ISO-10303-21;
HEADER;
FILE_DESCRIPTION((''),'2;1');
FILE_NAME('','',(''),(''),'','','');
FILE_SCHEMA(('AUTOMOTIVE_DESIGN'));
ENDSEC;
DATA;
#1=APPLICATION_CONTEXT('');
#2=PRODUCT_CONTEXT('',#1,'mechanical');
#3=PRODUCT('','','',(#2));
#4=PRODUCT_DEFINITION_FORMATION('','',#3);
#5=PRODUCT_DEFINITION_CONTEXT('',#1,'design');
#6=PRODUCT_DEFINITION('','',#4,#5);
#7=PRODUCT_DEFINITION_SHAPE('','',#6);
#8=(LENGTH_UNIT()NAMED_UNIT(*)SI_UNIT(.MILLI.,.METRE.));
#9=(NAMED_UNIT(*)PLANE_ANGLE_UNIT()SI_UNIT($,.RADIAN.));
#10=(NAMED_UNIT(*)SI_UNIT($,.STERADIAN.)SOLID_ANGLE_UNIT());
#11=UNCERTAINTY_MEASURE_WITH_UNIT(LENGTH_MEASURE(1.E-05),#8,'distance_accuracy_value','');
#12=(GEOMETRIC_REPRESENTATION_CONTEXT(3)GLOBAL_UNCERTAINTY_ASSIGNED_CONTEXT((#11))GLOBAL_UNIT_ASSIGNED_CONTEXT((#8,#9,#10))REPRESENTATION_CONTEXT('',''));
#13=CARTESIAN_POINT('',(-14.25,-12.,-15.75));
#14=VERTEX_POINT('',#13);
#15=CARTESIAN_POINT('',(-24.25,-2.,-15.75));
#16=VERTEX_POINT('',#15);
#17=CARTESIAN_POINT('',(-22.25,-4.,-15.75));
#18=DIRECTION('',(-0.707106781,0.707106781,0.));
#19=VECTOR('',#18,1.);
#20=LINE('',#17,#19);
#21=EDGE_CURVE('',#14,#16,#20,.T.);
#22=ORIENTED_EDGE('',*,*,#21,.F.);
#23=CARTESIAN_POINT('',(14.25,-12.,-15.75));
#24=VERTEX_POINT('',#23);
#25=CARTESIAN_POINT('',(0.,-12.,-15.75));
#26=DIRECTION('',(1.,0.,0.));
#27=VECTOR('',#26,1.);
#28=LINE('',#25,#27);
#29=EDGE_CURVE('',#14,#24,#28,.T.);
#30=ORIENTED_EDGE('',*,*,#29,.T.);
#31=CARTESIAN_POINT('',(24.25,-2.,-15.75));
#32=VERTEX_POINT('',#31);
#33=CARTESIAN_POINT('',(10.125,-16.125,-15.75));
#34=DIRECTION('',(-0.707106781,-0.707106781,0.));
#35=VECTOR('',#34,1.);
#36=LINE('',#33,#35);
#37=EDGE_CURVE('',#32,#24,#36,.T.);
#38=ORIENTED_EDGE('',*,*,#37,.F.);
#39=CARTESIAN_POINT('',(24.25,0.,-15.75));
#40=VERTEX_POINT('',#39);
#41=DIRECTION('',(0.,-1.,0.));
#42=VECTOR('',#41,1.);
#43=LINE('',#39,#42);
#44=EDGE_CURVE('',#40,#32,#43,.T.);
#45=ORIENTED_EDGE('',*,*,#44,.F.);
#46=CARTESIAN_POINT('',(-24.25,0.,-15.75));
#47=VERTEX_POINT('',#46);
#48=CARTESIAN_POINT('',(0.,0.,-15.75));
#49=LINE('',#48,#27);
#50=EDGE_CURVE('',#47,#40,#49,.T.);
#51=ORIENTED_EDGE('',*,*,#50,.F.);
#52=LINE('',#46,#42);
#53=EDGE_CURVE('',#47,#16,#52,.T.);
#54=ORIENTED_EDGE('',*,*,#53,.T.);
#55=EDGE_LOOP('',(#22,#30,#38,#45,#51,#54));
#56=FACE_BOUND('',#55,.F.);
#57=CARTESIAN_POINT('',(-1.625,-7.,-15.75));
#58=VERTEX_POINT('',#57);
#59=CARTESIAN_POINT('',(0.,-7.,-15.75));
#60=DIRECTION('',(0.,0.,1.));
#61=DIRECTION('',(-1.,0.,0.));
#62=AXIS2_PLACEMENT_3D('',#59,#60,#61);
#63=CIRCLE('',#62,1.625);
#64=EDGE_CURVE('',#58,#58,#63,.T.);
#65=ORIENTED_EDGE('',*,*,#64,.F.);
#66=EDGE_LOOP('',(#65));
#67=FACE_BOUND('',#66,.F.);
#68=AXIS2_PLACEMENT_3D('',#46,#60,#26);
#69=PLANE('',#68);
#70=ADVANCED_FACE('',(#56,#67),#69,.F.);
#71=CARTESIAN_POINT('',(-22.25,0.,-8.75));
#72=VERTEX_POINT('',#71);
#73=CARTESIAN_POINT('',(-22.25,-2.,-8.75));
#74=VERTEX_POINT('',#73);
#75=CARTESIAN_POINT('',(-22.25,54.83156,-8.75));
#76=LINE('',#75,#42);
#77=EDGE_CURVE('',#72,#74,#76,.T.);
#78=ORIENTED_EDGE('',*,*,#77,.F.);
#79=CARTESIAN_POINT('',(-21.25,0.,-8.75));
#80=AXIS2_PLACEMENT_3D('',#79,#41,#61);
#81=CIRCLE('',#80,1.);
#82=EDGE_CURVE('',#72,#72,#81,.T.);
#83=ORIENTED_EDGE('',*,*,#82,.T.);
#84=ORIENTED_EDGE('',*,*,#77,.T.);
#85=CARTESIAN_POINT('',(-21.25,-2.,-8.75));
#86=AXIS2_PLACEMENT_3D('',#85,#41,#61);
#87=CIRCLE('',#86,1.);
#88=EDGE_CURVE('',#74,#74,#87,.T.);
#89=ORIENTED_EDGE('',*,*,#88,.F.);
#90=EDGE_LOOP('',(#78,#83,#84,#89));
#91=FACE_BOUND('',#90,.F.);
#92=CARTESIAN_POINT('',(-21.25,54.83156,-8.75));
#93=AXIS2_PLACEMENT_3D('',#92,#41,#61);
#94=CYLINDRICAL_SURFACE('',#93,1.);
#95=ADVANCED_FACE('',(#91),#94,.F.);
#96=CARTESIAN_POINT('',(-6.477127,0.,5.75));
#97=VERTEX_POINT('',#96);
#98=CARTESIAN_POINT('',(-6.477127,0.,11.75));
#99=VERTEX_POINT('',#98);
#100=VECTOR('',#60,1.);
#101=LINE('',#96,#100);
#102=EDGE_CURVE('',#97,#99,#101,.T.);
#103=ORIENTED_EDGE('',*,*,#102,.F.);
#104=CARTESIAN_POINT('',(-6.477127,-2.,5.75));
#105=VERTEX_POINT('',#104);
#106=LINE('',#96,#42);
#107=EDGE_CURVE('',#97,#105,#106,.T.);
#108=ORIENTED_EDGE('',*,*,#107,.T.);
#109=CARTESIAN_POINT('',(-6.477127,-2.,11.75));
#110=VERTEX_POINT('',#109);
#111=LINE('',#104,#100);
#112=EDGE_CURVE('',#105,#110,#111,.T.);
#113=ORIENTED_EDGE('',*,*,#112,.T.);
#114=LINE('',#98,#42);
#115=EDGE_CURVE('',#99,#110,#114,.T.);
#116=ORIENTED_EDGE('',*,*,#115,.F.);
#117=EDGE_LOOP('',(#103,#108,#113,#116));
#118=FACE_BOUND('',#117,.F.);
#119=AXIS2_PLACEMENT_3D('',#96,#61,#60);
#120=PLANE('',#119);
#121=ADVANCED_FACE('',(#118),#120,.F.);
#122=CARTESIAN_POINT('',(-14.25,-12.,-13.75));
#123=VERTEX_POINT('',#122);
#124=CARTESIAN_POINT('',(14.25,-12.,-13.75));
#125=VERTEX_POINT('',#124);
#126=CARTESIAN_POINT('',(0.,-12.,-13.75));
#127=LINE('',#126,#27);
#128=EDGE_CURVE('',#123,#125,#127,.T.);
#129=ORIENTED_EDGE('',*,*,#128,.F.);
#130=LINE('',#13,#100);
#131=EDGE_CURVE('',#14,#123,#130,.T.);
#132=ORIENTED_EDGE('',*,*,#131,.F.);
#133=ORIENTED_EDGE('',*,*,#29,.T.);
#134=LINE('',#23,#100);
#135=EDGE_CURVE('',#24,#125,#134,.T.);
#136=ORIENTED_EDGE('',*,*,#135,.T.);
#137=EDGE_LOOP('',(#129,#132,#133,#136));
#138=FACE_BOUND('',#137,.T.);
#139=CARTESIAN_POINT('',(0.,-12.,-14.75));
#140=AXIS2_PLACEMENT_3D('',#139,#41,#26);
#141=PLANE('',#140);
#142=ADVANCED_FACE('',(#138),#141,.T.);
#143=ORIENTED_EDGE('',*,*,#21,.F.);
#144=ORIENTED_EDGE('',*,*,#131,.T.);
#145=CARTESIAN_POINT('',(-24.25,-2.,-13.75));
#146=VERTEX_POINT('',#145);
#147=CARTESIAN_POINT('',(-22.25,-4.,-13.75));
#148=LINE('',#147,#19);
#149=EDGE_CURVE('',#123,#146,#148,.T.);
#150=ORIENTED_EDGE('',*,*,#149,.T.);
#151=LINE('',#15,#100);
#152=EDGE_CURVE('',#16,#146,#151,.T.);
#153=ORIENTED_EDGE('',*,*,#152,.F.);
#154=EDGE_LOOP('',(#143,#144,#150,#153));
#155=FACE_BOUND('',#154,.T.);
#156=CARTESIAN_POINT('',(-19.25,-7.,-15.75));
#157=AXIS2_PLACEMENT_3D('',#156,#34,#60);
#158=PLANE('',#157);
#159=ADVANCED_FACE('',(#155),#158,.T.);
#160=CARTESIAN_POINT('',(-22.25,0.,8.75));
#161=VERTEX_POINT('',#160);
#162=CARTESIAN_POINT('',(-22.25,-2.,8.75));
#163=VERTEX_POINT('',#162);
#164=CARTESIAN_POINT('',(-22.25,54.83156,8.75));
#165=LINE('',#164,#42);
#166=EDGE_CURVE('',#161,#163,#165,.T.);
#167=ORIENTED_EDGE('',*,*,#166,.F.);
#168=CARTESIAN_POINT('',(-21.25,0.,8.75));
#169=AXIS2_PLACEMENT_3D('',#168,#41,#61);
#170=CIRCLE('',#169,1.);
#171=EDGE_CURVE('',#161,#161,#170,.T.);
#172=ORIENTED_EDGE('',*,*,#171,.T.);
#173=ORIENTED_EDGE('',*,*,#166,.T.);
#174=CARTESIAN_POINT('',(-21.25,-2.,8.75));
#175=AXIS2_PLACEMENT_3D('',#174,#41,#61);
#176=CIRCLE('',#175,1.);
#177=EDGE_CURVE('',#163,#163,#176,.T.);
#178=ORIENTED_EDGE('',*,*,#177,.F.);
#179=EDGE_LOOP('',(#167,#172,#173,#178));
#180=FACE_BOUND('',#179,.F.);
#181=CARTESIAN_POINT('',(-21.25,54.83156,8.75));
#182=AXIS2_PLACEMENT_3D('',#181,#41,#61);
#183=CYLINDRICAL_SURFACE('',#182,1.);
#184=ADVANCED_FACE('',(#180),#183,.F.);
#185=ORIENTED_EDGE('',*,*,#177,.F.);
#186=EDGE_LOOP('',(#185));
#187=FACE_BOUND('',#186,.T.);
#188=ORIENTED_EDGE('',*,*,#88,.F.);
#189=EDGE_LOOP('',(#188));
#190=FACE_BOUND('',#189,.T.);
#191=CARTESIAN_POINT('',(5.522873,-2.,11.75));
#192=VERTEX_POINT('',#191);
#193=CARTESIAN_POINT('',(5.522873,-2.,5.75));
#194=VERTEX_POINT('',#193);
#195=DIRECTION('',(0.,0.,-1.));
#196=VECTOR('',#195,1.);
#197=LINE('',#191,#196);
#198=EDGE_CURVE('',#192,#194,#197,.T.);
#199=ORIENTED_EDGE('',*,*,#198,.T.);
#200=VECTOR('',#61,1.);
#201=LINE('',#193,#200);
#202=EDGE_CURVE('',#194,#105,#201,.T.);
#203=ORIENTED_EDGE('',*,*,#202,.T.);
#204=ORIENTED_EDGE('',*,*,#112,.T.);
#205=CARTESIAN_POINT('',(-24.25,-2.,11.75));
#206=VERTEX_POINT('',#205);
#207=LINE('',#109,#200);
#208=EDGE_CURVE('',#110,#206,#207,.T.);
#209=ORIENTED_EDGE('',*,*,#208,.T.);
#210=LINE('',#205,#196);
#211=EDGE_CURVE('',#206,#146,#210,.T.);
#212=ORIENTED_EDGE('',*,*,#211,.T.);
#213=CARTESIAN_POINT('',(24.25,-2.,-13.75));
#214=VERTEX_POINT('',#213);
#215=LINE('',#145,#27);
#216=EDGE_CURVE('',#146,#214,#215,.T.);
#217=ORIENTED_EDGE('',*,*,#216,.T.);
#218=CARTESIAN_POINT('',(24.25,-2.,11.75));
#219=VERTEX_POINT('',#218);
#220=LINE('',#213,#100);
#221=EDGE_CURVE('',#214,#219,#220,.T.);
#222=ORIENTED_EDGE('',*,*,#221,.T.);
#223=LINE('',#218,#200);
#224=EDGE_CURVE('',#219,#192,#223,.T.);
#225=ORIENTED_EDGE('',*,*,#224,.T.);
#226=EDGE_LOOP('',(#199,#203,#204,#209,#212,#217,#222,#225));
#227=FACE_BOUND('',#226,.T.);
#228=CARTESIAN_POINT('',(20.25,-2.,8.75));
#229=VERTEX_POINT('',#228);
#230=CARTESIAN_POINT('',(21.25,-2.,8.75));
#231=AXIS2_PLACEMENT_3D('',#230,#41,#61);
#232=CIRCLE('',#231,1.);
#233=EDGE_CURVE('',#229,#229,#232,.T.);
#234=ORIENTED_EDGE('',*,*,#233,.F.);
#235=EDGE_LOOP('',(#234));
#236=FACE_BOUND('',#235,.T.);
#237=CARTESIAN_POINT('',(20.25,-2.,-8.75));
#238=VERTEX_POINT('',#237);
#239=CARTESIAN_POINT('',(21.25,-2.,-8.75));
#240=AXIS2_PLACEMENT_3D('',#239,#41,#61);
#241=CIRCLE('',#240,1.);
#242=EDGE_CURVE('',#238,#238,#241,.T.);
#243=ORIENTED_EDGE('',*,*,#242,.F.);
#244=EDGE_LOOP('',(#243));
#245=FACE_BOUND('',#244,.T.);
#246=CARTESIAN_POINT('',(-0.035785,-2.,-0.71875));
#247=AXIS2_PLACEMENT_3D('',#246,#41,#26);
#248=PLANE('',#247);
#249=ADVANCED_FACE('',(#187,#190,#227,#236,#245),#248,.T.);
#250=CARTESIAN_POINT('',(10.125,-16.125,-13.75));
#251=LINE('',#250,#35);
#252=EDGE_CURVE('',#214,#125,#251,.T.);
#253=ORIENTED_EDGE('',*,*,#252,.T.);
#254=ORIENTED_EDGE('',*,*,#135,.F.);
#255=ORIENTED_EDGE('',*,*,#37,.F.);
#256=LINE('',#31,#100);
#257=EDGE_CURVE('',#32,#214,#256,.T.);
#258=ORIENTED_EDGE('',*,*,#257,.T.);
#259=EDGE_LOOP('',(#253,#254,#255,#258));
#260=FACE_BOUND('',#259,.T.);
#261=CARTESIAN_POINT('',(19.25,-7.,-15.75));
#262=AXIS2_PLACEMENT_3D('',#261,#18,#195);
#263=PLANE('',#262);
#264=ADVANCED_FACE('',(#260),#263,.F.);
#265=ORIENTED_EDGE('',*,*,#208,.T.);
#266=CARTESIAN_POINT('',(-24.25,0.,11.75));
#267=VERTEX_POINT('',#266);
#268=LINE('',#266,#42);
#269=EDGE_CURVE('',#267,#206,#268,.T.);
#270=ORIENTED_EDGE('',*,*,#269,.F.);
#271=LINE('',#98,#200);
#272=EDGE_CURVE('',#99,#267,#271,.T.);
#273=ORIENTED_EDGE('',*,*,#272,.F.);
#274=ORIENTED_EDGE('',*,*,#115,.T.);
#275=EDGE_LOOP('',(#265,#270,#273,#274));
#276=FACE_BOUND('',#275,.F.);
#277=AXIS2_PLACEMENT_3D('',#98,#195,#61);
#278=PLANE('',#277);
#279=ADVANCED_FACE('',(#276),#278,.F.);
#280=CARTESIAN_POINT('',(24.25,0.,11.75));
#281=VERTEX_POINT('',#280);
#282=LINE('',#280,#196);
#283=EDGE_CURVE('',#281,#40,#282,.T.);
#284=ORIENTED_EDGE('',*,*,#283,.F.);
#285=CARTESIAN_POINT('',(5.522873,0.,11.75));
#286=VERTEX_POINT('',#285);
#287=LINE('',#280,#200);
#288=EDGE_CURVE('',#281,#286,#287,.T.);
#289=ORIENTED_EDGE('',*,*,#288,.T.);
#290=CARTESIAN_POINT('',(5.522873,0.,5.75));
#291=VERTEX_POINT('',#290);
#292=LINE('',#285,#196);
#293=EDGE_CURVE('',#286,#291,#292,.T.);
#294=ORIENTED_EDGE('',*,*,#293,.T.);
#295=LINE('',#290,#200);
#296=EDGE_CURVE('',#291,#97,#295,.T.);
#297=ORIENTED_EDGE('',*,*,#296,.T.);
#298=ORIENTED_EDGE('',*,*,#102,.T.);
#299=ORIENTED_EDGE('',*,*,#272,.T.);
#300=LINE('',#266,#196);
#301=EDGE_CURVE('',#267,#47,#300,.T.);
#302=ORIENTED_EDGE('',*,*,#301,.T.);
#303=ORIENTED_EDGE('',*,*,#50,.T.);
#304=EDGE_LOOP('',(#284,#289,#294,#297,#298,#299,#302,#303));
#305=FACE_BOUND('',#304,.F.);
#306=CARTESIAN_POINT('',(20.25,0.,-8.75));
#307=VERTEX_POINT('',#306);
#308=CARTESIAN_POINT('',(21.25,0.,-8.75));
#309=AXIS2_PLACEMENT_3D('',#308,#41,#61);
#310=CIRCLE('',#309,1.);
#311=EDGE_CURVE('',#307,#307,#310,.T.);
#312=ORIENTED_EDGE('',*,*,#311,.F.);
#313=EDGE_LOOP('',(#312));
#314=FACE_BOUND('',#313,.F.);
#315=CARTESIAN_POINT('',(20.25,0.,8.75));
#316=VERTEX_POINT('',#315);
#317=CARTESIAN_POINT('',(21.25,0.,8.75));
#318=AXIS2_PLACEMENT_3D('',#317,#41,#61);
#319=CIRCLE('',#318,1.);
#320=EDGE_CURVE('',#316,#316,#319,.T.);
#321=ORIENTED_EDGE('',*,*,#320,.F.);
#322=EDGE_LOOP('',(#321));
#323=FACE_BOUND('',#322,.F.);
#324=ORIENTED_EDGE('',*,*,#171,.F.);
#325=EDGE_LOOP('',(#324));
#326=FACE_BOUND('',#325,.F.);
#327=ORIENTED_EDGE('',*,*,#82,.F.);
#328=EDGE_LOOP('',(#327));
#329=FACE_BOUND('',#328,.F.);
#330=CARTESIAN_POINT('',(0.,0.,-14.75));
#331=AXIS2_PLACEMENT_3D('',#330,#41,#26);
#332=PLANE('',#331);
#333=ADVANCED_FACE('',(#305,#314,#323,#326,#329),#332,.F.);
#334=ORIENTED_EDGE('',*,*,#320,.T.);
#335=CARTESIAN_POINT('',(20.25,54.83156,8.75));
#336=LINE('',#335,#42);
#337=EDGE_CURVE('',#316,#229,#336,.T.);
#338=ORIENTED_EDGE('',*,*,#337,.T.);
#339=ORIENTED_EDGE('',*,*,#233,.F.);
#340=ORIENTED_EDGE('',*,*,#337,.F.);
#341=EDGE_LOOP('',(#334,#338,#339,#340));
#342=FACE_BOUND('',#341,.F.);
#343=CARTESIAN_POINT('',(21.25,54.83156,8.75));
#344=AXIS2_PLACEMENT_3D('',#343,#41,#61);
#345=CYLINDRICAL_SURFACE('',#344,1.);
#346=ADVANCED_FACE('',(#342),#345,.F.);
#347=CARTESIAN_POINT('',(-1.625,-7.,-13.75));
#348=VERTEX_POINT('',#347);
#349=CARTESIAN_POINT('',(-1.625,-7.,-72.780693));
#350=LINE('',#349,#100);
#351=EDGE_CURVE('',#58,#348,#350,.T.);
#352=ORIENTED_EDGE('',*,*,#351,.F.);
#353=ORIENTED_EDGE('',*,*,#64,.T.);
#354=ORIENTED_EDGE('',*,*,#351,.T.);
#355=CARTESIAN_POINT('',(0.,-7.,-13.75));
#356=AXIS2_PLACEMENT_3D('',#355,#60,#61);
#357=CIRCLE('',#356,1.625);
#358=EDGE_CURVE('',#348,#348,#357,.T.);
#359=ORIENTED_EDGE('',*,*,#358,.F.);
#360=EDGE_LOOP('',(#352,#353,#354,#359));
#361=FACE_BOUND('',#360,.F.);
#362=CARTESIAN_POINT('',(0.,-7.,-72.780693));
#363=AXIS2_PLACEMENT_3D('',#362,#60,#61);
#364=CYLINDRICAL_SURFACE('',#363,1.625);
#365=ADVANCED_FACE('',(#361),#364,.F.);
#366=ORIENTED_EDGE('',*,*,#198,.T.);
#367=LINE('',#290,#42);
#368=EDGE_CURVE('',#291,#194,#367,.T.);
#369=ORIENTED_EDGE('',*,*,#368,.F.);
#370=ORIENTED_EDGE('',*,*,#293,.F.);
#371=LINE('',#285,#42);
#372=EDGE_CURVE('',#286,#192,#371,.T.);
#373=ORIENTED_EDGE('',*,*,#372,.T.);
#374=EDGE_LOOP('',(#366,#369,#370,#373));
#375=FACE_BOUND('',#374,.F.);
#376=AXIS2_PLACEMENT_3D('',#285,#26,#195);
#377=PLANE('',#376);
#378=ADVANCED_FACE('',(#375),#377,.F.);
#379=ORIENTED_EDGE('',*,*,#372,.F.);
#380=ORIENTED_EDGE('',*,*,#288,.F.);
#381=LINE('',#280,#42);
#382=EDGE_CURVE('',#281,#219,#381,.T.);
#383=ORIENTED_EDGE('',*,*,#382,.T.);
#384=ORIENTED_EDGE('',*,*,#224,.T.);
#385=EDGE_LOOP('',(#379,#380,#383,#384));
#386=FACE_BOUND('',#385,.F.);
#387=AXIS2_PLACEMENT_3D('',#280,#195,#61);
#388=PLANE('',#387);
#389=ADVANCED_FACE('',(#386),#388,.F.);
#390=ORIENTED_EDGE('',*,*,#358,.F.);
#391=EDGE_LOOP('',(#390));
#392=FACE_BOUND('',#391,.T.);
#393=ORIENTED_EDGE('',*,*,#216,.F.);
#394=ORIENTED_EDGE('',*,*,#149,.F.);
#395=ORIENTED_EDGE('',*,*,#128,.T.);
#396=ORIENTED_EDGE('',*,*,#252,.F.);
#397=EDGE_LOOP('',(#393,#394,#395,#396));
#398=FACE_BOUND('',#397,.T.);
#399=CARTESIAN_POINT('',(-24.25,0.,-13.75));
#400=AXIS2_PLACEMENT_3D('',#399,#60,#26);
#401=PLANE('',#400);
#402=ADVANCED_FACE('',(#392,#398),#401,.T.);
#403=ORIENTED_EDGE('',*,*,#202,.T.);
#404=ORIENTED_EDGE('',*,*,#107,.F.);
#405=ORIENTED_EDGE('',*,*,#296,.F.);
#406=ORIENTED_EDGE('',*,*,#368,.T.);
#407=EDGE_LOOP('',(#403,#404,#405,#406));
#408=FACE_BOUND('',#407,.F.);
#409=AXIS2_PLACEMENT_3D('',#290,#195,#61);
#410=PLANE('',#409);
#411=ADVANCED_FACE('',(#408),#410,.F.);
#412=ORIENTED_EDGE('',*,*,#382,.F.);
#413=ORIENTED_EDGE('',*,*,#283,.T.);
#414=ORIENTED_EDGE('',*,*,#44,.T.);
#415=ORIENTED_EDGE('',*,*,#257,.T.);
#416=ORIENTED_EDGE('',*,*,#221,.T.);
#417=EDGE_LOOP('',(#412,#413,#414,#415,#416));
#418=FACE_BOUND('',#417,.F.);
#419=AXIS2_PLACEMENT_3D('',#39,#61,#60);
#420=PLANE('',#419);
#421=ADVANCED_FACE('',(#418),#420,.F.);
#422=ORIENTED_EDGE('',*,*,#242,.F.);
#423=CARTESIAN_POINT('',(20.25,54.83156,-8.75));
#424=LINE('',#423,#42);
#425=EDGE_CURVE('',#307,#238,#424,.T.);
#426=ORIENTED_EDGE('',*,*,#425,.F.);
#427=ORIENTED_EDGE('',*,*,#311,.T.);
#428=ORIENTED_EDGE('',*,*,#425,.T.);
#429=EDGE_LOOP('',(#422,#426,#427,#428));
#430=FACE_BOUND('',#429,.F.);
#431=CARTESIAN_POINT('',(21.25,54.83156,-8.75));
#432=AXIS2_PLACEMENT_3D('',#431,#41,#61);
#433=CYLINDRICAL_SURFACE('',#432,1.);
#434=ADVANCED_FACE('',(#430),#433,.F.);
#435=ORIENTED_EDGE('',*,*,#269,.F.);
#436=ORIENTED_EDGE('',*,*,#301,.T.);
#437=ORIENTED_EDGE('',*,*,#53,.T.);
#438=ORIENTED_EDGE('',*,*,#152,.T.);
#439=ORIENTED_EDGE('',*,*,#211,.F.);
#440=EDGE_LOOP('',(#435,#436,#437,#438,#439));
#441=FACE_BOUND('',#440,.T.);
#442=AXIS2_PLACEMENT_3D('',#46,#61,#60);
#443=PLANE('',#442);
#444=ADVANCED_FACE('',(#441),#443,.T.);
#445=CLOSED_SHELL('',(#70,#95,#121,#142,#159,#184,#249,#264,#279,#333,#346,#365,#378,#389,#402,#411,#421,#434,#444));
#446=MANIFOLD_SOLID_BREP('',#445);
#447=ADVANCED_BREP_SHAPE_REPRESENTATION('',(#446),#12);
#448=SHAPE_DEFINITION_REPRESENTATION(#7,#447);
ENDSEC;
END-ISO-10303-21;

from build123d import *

# Parameters (mm, degrees)
F2_DEPTH = 2
F3_D     = 2
F4_D     = 2
F5_D     = 2
F6_D     = 2
F1_W     = 48.5
F1_H     = 2
F7_DEPTH = 12
F8_SIZE  = 10
F9_SIZE  = 10
F12_D    = 3.25


with BuildPart() as f2:
    # F0 (on Front) → F2 (new body)
    with BuildSketch(Plane.XZ):
        Polygon((-24.25, 11.75), (-24.25, -13.75), (24.25, -13.75), (24.25, 11.75), (5.5228731483, 11.75), (5.5228731483, 5.75), (-6.4771268517, 5.75), (-6.4771268517, 11.75), align=None)
    extrude(amount=F2_DEPTH)

    # F3 (through all)
    with Locations(Plane(origin=(0, 0, 0), x_dir=(1, 0, 0), z_dir=(0, 1, 0))):
        with Locations((-21.25, -8.75)):
            Hole(F3_D / 2)

    # F4 (through all)
    with Locations(Plane(origin=(0, 0, 0), x_dir=(1, 0, 0), z_dir=(0, 1, 0))):
        with Locations((-21.25, 8.75)):
            Hole(F4_D / 2)

    # F5 (through all)
    with Locations(Plane(origin=(0, 0, 0), x_dir=(1, 0, 0), z_dir=(0, 1, 0))):
        with Locations((21.25, -8.75)):
            Hole(F5_D / 2)

    # F6 (through all)
    with Locations(Plane(origin=(0, 0, 0), x_dir=(1, 0, 0), z_dir=(0, 1, 0))):
        with Locations((21.25, 8.75)):
            Hole(F6_D / 2)

    # F1 (on Front) → F7 (join)
    with BuildSketch(Plane.XZ):
        with Locations((0, -14.75)):
            Rectangle(F1_W, F1_H)
    extrude(amount=F7_DEPTH)

    # F8
    f8_edges = [f2.edges().sort_by_distance(p)[0] for p in [
        (24.25, -12, -14.75),
    ]]
    chamfer(f8_edges, length=F8_SIZE)

    # F9
    f9_edges = [f2.edges().sort_by_distance(p)[0] for p in [
        (-24.25, -12, -14.75),
    ]]
    chamfer(f9_edges, length=F9_SIZE)

    # F12 (through all)
    with Locations(Plane(origin=(0, 0, -15.75), x_dir=(1, 0, 0), z_dir=(0, 0, -1))):
        with Locations((0, 7)):
            Hole(F12_D / 2)


solid = f2.part
